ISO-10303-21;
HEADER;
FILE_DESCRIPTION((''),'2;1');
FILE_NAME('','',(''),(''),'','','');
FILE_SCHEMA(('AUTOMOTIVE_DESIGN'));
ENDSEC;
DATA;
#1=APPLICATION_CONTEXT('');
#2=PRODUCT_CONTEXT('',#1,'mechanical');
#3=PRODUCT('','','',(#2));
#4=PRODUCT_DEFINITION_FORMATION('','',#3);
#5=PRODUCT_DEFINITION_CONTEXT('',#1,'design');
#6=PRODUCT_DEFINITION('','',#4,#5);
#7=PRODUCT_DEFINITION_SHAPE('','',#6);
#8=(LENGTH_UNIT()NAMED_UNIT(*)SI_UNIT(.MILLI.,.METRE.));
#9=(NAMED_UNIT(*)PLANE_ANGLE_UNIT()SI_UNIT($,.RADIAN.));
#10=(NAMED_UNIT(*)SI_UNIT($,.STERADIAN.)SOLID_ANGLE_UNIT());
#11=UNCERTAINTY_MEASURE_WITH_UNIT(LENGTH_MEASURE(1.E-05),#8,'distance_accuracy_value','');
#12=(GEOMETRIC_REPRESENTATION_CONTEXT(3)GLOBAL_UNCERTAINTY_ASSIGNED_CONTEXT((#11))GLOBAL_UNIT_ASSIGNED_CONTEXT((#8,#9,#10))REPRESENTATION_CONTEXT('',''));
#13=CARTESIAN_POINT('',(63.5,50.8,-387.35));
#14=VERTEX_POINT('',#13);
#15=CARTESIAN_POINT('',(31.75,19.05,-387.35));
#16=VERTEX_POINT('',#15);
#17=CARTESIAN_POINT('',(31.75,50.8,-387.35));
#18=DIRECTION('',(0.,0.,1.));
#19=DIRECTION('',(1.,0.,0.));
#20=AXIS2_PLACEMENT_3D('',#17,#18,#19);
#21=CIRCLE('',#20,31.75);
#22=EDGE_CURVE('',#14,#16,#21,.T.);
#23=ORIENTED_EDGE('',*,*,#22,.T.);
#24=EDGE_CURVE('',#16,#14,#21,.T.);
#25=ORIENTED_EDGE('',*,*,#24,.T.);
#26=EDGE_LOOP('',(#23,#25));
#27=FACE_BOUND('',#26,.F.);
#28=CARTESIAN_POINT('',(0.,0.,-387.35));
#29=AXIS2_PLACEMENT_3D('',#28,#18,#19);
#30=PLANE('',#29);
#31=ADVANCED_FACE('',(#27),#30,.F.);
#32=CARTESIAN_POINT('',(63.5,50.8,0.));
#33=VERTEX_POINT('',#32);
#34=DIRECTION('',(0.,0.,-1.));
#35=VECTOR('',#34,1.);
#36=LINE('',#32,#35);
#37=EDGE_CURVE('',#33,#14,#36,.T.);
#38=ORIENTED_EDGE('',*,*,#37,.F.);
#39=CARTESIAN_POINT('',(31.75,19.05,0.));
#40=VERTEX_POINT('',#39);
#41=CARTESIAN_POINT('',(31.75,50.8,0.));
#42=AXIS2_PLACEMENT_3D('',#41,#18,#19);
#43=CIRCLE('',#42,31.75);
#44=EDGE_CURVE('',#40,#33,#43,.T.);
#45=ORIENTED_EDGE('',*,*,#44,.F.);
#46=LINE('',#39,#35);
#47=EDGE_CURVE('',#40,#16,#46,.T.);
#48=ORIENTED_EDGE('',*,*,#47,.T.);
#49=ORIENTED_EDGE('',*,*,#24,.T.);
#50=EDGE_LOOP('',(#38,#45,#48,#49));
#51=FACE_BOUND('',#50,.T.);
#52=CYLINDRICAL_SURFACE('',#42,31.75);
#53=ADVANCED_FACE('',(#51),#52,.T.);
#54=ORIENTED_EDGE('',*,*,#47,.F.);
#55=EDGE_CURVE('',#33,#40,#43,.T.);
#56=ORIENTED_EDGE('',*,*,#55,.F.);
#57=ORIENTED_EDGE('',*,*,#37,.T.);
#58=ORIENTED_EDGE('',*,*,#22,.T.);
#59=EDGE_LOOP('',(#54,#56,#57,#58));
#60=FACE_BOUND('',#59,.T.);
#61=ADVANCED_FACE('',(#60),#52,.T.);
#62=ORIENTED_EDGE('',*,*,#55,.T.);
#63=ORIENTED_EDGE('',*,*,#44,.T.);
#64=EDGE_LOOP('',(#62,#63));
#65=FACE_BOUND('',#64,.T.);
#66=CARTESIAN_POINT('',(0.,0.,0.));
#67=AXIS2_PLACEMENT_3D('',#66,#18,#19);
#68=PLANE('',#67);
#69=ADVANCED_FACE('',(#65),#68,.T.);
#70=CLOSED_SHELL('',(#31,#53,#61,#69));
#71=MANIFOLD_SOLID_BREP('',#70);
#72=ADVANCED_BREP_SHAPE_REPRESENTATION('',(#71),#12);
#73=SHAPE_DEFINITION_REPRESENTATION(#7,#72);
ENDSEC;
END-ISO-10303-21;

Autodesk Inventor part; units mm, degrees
ref_plane "YZ Plane" through (0, 0, 0) normal (1, 0, 0) x (0, 1, 0)
ref_plane "XZ Plane" through (0, 0, 0) normal (0, 1, 0) x (-1, 0, 0)
sketch "Sketch1" plane through (0, 0, 0) normal (0, 0, 1) x (1, 0, 0)
  line L0 (0, 19.05) -> (127, 19.05) projected
  line L1 (0, 0) -> (0, 19.05) projected
  line L2 (0, 0) -> (0, 100.3156) construction
  circle A0 centre (31.75, 50.8) radius 31.75
  dimension "d0" = 63.5
ref_plane "Work Plane1" through (0, 0, -304.8) normal (0, 0, -1) x (0, 1, 0)
extrude "Extrusion1" add sketch "Sketch1" against normal blind 387.35
properties part number "Front Noodle 1"
